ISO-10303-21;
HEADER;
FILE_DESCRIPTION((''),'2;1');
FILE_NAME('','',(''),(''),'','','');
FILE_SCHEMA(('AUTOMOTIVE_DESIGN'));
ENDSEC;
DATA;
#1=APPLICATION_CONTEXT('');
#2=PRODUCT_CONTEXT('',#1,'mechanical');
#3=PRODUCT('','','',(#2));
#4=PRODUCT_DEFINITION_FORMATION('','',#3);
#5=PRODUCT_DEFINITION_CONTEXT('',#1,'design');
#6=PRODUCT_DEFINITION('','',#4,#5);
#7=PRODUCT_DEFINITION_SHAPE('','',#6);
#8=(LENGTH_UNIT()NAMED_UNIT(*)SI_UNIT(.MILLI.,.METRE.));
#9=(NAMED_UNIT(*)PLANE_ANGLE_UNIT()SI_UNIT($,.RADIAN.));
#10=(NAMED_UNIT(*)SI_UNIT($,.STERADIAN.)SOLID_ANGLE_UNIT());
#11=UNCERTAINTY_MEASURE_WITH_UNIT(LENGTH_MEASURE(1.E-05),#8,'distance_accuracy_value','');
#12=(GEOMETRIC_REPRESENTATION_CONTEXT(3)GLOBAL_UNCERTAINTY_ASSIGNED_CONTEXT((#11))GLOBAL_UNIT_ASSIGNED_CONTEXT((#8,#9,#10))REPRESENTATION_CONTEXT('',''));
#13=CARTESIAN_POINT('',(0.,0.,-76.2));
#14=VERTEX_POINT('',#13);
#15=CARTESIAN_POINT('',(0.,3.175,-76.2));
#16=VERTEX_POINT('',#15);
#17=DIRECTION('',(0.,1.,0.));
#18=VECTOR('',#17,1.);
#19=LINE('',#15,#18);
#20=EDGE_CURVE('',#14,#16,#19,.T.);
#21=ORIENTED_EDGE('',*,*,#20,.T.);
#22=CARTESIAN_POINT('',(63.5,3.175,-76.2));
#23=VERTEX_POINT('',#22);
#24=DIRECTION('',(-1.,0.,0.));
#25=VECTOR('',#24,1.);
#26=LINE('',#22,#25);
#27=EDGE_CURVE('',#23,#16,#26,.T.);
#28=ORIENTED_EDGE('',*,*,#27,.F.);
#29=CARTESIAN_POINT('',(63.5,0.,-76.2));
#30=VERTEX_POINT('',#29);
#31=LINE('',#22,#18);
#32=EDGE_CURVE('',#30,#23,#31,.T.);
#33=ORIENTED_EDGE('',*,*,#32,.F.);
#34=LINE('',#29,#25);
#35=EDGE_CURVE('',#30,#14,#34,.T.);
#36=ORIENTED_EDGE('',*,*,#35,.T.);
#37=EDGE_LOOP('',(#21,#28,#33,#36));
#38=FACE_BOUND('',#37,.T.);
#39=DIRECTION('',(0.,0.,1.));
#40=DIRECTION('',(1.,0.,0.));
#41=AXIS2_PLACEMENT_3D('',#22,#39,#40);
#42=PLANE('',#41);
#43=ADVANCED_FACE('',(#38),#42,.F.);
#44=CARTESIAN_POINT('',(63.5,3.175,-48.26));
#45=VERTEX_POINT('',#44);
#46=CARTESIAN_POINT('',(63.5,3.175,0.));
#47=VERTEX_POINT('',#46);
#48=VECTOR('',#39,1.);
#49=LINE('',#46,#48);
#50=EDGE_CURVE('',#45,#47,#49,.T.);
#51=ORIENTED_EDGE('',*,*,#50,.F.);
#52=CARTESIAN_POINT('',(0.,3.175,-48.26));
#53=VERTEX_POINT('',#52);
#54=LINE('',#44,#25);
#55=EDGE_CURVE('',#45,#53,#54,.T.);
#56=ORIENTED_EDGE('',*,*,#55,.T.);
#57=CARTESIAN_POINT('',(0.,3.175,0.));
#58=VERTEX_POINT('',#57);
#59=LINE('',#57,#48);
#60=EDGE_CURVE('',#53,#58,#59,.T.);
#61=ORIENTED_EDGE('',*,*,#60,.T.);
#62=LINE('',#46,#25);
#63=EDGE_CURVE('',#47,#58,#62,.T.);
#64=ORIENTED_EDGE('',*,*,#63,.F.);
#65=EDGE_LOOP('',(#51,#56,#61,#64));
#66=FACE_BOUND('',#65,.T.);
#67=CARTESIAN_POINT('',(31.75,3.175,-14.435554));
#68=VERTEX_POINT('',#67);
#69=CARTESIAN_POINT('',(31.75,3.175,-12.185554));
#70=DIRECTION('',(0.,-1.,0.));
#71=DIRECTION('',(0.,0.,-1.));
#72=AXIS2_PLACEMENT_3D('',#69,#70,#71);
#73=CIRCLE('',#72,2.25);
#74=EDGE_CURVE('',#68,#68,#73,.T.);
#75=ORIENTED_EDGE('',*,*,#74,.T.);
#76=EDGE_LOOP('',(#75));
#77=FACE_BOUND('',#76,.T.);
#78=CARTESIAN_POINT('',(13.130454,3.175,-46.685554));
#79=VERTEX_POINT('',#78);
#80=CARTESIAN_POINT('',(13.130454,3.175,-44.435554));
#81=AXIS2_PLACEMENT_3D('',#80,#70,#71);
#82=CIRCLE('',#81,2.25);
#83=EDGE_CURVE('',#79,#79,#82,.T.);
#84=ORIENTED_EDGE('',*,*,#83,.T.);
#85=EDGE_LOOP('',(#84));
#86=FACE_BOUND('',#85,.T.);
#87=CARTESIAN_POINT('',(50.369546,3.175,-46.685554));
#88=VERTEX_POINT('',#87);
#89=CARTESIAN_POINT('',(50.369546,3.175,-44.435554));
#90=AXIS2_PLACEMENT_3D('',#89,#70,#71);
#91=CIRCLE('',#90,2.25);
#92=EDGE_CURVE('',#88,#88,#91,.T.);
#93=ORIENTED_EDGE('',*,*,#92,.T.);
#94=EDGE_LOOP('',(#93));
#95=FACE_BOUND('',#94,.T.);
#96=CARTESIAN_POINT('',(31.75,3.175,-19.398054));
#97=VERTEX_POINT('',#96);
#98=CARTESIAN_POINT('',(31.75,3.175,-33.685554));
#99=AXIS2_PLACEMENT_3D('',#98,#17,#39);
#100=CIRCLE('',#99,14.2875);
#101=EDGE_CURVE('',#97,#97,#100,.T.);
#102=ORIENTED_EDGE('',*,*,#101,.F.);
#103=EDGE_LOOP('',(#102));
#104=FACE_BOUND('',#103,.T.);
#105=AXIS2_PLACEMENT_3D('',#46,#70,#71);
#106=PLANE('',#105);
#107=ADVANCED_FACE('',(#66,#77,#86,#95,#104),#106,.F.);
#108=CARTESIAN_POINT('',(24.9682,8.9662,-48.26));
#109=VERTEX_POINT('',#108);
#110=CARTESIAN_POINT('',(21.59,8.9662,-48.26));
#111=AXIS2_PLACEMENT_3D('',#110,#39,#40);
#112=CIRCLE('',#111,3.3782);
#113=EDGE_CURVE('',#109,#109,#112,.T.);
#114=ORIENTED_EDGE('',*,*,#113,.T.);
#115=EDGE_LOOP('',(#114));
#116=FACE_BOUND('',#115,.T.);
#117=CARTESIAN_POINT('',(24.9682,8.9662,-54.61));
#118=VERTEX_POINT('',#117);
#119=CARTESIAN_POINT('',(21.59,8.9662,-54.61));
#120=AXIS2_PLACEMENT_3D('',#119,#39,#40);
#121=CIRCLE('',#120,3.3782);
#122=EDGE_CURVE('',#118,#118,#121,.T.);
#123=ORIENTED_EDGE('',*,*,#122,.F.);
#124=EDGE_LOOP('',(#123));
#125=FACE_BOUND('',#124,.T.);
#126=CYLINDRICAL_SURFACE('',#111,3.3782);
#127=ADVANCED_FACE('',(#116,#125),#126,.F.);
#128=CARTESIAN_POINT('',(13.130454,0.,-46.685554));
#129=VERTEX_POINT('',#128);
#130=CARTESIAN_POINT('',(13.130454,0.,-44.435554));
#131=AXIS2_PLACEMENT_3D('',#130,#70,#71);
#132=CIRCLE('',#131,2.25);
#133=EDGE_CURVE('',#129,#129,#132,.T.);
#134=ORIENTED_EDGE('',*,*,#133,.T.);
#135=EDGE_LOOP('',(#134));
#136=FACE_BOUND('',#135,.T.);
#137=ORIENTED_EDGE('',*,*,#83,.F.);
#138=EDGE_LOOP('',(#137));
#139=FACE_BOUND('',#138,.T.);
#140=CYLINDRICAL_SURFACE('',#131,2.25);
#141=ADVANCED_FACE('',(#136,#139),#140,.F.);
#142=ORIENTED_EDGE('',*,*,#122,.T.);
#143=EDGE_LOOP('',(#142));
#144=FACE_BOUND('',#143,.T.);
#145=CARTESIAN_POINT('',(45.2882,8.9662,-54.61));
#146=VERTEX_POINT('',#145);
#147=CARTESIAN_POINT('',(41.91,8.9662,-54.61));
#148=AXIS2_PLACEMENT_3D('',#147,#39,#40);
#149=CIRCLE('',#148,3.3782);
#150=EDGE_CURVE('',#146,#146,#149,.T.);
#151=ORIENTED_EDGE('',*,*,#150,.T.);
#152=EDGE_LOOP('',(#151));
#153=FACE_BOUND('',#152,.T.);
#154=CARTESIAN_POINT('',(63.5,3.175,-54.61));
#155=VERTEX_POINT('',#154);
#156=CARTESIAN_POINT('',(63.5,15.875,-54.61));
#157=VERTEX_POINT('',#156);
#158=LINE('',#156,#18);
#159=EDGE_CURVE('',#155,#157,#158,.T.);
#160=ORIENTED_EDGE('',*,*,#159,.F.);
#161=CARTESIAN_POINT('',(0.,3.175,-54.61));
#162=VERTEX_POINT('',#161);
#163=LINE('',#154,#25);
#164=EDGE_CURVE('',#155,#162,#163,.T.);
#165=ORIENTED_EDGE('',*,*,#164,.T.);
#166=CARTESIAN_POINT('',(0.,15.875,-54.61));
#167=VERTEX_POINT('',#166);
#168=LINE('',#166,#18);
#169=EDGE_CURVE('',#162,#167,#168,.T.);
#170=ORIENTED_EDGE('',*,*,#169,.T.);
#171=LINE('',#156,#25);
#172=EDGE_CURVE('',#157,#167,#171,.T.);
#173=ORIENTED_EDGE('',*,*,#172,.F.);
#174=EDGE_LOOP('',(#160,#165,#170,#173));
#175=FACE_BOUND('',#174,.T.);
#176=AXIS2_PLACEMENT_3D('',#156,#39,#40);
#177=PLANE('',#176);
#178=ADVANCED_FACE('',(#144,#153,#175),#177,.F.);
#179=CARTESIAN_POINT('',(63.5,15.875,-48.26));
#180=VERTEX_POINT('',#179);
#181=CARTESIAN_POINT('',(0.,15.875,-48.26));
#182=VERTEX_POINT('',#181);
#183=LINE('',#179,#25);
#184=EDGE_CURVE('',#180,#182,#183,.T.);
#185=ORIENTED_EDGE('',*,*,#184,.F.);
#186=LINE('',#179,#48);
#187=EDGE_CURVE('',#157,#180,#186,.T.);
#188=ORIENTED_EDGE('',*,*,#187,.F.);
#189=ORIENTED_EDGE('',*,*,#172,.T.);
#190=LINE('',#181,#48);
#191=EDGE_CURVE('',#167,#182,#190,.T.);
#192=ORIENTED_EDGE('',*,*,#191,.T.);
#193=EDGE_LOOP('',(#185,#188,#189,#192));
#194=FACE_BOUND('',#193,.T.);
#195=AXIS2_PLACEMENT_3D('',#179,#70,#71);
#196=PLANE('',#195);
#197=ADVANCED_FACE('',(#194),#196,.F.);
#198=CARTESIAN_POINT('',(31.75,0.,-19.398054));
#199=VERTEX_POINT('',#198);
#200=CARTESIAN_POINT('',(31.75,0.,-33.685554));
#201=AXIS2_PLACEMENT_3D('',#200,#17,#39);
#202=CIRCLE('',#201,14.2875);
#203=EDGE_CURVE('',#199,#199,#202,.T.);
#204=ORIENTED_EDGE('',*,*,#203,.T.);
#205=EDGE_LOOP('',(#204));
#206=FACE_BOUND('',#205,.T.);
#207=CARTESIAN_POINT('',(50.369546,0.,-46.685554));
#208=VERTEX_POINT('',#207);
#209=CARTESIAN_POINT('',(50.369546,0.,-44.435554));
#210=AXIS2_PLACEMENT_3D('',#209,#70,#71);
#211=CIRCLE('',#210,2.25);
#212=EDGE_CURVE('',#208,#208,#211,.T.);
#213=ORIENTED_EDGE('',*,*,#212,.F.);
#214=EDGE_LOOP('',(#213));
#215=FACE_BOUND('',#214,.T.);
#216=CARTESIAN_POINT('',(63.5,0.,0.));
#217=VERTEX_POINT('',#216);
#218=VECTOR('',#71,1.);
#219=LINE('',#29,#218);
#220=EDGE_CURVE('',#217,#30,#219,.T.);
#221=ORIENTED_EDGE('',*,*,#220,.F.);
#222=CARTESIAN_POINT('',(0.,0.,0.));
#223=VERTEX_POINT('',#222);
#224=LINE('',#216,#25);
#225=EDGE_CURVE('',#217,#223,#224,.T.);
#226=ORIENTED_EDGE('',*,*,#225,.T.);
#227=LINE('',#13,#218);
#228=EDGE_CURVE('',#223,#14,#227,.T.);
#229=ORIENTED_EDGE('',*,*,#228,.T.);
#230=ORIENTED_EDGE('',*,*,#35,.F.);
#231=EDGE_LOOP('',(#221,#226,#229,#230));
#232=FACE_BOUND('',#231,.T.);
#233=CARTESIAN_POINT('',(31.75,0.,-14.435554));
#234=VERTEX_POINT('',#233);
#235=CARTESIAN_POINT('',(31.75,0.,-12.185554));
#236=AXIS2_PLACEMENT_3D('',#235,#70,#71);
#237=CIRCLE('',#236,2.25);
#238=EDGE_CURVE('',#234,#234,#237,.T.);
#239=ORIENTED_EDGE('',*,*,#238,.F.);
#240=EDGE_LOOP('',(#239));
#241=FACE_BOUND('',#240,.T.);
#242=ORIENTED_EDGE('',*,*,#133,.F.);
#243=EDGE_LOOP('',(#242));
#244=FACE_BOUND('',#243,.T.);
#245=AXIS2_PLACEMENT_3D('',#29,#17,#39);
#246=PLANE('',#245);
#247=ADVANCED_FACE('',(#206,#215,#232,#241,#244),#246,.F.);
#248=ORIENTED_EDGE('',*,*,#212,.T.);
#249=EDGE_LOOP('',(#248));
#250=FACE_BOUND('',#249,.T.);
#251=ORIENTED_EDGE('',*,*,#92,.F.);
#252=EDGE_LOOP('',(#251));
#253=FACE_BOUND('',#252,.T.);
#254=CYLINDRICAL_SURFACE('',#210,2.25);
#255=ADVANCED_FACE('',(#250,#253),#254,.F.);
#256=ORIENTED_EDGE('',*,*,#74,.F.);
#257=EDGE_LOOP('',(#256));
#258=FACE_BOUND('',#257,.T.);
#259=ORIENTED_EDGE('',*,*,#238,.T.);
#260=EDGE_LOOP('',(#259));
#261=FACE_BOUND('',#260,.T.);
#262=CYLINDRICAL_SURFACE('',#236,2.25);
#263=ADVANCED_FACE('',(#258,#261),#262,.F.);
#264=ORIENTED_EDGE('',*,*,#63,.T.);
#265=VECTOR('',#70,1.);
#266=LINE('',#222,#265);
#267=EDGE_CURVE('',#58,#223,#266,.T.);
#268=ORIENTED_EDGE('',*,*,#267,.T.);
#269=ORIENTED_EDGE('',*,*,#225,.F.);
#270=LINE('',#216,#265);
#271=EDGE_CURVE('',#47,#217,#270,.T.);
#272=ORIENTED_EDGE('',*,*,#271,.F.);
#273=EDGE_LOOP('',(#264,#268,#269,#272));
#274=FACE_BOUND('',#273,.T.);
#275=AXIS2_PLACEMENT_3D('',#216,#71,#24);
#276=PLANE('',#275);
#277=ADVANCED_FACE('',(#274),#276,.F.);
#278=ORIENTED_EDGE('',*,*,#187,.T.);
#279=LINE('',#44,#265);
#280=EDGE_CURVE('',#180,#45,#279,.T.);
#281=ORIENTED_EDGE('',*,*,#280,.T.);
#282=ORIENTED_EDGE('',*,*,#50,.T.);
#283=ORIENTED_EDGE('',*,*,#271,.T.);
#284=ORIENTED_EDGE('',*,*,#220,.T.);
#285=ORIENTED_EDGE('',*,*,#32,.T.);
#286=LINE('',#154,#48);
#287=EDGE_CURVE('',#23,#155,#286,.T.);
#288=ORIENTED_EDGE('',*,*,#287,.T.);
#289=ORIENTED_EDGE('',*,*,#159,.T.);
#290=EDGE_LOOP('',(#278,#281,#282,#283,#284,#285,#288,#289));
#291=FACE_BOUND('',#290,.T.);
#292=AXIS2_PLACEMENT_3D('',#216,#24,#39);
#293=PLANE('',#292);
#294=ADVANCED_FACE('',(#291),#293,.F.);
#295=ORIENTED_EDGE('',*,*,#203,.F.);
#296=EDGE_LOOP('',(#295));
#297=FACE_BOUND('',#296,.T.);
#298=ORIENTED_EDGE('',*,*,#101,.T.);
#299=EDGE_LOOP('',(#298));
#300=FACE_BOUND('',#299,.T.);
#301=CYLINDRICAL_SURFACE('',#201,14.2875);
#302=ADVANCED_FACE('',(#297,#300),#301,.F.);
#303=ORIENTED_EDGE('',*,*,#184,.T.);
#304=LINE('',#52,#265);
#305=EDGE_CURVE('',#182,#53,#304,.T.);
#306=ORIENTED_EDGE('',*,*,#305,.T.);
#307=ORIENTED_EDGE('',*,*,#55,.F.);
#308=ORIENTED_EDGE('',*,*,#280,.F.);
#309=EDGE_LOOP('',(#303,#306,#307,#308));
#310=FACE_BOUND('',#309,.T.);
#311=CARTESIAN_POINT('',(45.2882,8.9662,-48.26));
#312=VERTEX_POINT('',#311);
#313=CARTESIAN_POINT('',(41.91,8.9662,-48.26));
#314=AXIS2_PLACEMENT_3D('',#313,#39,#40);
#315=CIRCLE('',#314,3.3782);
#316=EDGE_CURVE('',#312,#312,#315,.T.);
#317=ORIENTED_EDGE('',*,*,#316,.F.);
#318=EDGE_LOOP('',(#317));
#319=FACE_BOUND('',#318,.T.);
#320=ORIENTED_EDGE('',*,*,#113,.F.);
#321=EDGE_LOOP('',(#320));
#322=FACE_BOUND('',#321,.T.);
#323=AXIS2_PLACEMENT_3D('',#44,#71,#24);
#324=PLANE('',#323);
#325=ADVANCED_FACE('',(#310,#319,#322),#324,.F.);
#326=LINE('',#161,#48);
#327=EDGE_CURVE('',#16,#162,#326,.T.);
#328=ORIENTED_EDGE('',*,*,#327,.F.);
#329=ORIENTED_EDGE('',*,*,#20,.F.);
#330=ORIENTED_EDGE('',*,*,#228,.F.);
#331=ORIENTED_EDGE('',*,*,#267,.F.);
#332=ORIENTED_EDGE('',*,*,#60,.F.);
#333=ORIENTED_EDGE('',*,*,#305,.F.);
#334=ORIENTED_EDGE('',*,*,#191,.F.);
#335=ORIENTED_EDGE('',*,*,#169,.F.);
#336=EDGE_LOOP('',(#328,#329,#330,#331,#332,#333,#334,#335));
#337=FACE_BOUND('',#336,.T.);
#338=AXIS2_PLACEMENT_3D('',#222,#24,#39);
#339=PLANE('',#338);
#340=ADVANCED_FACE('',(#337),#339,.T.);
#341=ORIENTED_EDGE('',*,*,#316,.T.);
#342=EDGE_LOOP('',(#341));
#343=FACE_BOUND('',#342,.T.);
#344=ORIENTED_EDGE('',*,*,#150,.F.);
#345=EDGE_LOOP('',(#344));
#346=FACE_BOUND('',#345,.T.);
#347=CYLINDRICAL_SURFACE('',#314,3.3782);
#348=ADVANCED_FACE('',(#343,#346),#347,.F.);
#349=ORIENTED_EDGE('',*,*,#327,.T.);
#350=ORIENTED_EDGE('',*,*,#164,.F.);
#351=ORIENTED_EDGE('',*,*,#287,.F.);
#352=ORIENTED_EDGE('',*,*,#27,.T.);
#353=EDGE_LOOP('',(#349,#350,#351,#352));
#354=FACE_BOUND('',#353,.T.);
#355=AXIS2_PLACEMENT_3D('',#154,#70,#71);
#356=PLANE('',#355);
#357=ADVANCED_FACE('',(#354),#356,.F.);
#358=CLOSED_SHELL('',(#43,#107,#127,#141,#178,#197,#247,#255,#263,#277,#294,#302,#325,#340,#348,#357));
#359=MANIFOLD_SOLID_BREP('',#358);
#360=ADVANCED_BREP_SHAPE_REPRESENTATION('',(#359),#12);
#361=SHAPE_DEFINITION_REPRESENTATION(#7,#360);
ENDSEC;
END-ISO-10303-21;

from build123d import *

# Parameters (mm, degrees)
BOSS_EXTRUDE1_DEPTH     = 63.5
SKETCH2_R               = 14.2875
CUT_EXTRUDE1_DEPTH      = 100.9999
M4_CLEARANCE_HOLE1_D    = 4.5
F_1_4_CLEARANCE_HOLE1_D = 6.7564


with BuildPart() as part:
    # Sketch1 → Boss-Extrude1 (new body)
    with BuildSketch(Plane(origin=(0, 0, 0), x_dir=(0, 0, -1), z_dir=(1, 0, 0))):
        Polygon((0, 0), (0, 3.175), (48.26, 3.175), (48.26, 15.875), (54.61, 15.875), (54.61, 3.175), (76.2, 3.175), (76.2, 0), align=None)
    extrude(amount=BOSS_EXTRUDE1_DEPTH)

    # Sketch2 → Cut-Extrude1 (cut, through all)
    with BuildSketch(Plane(origin=(0, 3.175, 0), x_dir=(1, 0, 0), z_dir=(0, 1, 0))):
        with Locations(Location((31.75, 33.685553713, 0), (0, 0, 270))):
            Circle(SKETCH2_R)
    extrude(amount=-CUT_EXTRUDE1_DEPTH, mode=Mode.SUBTRACT)

    # M4 Clearance Hole1 (through all)
    with Locations(Plane(origin=(0, 0, 0), x_dir=(-1, 0, 0), z_dir=(0, -1, 0))):
        with Locations((-31.75, 12.185553713), (-50.369546181, 44.435553713), (-13.130453819, 44.435553713)):
            Hole(M4_CLEARANCE_HOLE1_D / 2)

    # 1/4 Clearance Hole1 (through all)
    with Locations(Plane.XY.offset(-48.26)):
        with Locations((41.91, 8.9662), (21.59, 8.9662)):
            Hole(F_1_4_CLEARANCE_HOLE1_D / 2)


solid = part.part
